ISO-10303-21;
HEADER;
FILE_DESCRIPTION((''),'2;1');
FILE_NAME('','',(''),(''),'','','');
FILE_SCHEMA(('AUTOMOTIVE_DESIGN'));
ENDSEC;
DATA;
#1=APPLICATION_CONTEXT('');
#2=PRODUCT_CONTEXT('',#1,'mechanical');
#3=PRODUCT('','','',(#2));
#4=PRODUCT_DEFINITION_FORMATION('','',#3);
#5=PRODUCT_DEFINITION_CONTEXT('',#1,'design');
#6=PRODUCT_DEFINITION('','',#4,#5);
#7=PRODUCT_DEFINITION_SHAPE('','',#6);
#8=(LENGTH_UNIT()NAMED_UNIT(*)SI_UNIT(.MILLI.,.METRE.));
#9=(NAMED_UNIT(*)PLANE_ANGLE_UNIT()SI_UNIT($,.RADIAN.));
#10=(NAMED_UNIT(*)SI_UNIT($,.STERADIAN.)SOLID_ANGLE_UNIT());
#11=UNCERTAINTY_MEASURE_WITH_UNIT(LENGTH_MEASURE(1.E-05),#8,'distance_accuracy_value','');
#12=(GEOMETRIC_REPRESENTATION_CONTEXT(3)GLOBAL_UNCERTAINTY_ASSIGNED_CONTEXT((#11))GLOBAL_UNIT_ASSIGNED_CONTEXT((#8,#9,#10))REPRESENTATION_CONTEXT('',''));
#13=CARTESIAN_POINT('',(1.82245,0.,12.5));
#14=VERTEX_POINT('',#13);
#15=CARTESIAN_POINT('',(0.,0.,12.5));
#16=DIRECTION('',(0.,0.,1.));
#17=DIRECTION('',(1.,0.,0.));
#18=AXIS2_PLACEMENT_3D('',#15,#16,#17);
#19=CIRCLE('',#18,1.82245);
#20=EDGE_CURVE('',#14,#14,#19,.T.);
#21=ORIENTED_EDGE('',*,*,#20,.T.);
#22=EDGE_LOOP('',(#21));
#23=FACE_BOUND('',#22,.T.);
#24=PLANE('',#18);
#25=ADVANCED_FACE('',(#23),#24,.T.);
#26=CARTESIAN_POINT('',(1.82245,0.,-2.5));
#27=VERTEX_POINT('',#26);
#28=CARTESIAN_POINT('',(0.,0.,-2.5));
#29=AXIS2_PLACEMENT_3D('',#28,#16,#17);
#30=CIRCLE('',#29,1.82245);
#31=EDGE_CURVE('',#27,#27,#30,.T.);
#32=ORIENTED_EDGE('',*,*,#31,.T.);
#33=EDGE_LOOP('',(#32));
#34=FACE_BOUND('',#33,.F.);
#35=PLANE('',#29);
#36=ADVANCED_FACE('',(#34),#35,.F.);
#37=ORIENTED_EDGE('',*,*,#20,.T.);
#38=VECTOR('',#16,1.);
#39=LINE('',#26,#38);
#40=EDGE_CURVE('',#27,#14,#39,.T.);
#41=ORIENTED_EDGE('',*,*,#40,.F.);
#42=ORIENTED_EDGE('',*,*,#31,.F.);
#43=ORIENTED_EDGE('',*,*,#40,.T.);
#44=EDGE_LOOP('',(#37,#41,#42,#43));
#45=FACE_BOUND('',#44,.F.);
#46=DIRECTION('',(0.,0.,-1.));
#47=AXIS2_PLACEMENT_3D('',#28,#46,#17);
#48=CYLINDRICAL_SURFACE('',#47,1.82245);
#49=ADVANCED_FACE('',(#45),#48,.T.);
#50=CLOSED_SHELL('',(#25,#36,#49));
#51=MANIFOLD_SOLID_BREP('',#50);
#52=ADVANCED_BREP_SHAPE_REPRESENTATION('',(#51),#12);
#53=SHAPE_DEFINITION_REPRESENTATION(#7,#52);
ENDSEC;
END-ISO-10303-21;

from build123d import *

# Parameters (mm, degrees)
CYLINDER_R     = 1.82245
CYLINDER_DEPTH = 15


with BuildPart() as part:
    # Cylinder → Cylinder (new body)
    with BuildSketch(Plane.XY.offset(-2.5)):
        Circle(CYLINDER_R)
    extrude(amount=CYLINDER_DEPTH)


solid = part.part
